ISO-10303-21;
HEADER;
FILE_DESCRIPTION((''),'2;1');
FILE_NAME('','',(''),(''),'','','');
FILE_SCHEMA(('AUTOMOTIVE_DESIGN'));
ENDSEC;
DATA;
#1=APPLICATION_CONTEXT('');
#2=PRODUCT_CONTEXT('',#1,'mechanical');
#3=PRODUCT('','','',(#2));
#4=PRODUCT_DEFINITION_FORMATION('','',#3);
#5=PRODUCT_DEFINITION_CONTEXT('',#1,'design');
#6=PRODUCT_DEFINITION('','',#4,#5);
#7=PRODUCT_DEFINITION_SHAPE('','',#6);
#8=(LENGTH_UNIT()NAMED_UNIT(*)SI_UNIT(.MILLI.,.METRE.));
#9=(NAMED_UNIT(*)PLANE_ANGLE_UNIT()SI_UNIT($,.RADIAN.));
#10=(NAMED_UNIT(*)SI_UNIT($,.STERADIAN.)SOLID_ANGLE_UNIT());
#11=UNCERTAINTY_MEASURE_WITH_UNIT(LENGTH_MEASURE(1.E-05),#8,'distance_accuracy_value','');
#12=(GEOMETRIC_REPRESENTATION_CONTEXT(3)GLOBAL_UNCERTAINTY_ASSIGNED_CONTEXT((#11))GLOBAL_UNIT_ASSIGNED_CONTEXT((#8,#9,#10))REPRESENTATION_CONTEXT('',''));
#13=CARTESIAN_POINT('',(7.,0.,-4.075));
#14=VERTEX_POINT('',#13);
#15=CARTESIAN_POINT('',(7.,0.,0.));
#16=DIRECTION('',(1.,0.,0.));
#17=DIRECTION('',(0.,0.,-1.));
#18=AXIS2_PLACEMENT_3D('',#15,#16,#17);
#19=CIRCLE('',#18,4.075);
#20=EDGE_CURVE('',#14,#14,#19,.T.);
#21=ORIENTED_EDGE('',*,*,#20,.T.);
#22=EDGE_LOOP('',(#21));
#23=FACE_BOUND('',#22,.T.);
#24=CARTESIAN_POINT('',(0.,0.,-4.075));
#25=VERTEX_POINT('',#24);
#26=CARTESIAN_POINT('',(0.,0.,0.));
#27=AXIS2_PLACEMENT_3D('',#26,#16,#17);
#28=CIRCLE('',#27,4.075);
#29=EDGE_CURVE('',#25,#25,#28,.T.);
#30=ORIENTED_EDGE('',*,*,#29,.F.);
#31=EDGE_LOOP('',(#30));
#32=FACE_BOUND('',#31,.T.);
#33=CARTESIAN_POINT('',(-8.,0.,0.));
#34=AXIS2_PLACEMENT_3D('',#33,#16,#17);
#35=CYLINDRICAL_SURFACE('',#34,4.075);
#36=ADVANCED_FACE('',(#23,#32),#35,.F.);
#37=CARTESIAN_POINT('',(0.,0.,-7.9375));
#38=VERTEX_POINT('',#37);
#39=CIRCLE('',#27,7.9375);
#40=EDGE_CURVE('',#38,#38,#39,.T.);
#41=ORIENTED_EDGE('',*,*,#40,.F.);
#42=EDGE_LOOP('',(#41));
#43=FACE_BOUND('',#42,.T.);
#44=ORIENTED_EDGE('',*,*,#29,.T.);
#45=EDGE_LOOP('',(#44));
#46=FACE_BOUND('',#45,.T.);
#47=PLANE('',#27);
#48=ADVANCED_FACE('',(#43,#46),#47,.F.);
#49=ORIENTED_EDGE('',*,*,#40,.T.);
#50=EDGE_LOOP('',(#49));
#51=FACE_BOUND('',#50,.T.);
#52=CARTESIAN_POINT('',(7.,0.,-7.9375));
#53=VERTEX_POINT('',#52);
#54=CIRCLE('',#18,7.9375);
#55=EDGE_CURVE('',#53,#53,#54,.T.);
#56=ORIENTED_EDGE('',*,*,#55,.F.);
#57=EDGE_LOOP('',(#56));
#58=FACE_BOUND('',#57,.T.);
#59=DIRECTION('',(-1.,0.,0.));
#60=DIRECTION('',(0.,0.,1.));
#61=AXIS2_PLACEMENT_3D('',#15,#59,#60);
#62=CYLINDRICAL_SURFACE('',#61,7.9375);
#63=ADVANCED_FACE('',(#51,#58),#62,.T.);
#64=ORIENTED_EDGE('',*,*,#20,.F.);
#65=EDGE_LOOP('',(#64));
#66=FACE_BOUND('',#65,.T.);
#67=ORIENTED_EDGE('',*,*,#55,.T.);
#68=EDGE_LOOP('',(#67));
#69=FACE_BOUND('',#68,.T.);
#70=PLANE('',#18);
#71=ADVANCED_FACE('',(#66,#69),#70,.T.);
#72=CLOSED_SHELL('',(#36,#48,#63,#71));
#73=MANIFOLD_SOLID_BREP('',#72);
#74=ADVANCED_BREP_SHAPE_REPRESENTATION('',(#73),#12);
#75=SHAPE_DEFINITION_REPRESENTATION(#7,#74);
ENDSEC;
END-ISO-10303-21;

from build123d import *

# Parameters (mm, degrees)
SKETCH1_R           = 7.9375
BOSS_EXTRUDE1_DEPTH = 7
SKETCH2_R           = 4.075
CUT_EXTRUDE1_DEPTH  = 15


with BuildPart() as part:
    # Sketch1 → Boss-Extrude1 (new body)
    with BuildSketch(Plane(origin=(0, 0, 0), x_dir=(0, 0, -1), z_dir=(1, 0, 0))):
        Circle(SKETCH1_R)
    extrude(amount=BOSS_EXTRUDE1_DEPTH)

    # Sketch2 → Cut-Extrude1 (cut)
    with BuildSketch(Plane(origin=(7, 0, 0), x_dir=(0, 0, -1), z_dir=(1, 0, 0))):
        Circle(SKETCH2_R)
    extrude(amount=-CUT_EXTRUDE1_DEPTH, mode=Mode.SUBTRACT)


solid = part.part
